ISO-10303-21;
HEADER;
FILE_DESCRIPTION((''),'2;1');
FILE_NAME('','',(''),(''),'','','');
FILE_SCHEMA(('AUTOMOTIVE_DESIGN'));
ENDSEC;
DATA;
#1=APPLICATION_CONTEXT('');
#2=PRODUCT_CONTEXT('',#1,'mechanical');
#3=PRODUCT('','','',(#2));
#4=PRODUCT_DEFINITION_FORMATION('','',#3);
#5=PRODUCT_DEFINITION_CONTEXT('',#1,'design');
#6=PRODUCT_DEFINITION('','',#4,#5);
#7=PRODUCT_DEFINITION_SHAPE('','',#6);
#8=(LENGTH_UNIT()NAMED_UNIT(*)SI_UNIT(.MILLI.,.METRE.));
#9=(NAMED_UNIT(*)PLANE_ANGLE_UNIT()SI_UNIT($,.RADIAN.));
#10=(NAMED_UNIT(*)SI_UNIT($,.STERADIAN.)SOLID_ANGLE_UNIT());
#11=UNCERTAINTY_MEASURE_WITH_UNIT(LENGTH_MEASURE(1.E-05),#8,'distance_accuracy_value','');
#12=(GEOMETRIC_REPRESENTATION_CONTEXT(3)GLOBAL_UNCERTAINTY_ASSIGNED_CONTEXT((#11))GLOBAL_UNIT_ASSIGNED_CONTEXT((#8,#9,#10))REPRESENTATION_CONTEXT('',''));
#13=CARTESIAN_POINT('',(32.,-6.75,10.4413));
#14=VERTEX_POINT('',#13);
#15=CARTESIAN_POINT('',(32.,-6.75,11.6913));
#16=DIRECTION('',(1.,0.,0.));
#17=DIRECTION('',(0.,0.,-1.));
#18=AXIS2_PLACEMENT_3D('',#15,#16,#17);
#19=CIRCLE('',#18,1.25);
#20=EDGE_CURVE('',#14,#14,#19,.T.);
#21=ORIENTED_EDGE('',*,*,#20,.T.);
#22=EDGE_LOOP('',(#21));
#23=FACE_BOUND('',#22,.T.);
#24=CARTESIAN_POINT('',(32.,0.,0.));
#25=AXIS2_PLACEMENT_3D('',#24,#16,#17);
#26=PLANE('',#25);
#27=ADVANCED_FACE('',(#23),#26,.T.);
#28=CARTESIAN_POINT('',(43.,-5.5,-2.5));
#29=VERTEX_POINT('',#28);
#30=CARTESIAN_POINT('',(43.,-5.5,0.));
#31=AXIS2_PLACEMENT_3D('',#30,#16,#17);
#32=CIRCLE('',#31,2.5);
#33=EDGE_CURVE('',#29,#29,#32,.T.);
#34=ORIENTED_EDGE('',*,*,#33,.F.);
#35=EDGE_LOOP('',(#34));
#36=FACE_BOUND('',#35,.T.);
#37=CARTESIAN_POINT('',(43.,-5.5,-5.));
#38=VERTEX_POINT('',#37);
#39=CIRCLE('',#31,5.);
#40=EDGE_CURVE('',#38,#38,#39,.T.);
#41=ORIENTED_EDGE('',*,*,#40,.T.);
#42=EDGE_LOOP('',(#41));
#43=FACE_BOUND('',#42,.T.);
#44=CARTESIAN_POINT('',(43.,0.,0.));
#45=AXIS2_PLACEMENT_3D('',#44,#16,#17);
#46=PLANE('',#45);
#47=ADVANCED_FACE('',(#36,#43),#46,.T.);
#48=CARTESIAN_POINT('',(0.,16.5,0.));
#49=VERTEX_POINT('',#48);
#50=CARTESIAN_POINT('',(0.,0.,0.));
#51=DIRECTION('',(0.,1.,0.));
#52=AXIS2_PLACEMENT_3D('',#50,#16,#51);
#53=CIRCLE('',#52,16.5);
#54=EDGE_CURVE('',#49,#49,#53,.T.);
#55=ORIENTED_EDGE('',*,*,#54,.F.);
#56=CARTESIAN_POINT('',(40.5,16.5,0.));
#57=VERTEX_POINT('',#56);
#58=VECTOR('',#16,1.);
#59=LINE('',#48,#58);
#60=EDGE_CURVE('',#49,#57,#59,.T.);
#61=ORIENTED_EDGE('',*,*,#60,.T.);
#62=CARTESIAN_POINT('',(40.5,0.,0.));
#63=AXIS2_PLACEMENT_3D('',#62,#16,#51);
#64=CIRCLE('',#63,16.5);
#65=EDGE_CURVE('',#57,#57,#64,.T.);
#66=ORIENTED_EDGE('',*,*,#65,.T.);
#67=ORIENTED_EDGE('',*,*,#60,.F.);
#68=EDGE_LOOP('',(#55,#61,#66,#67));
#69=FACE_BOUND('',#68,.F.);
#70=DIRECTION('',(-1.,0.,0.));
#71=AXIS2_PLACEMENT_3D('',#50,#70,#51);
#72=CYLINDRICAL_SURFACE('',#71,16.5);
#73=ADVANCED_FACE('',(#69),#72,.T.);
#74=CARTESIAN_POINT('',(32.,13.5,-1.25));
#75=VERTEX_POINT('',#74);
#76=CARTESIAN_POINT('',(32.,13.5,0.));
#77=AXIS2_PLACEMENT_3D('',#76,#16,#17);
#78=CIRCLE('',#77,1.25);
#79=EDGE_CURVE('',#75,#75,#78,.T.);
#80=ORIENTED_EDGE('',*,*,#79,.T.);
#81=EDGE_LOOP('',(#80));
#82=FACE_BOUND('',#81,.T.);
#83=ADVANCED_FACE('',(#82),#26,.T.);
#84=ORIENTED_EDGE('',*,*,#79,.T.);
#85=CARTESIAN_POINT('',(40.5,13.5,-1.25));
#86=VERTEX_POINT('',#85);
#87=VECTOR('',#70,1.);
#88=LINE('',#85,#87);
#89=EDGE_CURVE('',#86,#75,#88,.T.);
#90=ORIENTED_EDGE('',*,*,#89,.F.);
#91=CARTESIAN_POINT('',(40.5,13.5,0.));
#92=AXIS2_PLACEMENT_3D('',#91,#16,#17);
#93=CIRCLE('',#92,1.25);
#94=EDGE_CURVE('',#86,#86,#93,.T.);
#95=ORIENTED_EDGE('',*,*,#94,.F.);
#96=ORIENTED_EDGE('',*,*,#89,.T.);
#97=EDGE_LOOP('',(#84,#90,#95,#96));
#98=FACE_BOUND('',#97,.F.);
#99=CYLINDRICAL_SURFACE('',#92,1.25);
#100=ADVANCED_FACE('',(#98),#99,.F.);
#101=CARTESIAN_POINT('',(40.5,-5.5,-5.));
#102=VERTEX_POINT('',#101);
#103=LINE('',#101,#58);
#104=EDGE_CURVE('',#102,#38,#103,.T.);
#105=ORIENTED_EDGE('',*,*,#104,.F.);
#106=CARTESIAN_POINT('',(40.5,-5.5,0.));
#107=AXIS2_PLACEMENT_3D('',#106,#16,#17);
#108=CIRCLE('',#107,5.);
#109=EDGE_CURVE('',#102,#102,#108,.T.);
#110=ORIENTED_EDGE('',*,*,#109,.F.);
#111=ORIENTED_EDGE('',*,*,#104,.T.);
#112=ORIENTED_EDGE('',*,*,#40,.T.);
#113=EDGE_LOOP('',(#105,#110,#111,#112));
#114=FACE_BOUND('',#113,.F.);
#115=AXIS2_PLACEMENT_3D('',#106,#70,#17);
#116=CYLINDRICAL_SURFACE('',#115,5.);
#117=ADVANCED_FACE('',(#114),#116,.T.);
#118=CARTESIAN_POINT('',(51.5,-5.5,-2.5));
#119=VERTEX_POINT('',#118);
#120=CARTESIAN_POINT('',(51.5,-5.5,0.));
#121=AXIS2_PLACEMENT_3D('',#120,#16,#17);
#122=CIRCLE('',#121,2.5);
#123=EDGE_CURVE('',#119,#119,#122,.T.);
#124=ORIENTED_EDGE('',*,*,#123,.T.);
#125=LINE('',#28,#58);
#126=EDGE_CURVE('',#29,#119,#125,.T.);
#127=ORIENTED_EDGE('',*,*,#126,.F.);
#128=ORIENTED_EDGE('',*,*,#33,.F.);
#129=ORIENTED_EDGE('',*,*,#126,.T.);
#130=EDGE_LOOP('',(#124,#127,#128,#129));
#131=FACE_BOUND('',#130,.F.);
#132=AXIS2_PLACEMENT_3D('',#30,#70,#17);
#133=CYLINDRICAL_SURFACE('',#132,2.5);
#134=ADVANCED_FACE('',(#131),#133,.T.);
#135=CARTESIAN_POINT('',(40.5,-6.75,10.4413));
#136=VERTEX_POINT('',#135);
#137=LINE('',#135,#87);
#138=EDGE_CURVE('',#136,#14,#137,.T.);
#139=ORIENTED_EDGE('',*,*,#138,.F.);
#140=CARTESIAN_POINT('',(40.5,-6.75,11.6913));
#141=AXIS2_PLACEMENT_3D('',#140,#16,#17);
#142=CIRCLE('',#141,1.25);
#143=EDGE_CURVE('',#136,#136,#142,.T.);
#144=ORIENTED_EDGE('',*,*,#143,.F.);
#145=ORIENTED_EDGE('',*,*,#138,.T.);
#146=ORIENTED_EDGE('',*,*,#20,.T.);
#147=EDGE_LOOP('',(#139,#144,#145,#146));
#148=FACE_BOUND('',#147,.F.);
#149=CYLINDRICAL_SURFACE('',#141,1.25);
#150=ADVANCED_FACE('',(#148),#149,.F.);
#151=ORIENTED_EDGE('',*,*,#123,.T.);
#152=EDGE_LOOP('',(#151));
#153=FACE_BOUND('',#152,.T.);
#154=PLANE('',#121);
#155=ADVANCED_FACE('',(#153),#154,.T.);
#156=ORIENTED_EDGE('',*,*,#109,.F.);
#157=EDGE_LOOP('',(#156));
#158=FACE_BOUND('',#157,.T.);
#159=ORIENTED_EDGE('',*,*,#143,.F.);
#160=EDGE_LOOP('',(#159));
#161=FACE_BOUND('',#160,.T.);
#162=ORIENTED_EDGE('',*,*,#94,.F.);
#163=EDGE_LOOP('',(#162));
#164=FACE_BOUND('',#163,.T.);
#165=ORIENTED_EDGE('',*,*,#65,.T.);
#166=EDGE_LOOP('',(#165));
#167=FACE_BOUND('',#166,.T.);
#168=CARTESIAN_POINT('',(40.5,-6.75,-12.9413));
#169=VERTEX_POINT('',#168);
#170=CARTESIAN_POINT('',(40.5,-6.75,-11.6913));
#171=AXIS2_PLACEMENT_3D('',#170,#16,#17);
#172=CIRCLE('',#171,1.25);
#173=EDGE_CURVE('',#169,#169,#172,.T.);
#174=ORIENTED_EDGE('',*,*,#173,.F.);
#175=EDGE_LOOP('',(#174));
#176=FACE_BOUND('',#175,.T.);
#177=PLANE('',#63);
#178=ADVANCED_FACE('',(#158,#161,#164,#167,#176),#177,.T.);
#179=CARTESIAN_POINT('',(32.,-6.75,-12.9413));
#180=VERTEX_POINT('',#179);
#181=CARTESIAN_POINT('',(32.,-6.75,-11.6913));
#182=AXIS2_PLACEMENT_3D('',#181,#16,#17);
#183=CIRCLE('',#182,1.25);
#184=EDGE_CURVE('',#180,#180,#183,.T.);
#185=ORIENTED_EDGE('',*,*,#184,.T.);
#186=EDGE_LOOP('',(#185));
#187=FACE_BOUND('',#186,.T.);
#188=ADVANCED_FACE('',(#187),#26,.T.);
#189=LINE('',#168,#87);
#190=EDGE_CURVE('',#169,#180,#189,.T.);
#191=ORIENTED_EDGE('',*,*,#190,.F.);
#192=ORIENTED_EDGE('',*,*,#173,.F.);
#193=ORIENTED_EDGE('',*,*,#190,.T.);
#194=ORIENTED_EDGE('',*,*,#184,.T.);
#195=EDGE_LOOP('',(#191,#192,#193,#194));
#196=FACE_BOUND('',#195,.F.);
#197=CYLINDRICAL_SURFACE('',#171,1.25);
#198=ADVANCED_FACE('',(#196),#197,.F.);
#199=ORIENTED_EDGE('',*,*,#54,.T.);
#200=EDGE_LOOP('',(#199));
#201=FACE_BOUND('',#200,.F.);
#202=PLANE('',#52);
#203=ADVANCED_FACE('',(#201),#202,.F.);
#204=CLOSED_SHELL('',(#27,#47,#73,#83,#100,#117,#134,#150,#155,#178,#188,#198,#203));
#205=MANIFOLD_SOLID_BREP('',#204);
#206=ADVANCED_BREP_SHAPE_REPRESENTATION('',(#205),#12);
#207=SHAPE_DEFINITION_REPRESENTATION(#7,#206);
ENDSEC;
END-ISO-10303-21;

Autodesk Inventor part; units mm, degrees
ref_plane "YZ Plane" through (0, 0, 0) normal (1, 0, 0) x (0, 1, 0)
ref_plane "XZ Plane" through (0, 0, 0) normal (0, 1, 0) x (-1, 0, 0)
ref_plane "XY Plane" through (0, 0, 0) normal (0, 0, 1) x (1, 0, 0)
sketch "Sketch1" plane through (0, 0, 0) normal (1, 0, 0) x (0, 1, 0)
  circle A0 centre (0, 0) radius 16.5
  dimension "d0" = 33
extrude "Extrusion1" add sketch "Sketch1" along normal blind 40.5
sketch "Sketch2" plane through (40.5, 0, 0) normal (1, 0, 0) x (0, 0, -1)
  circle A0 centre (0, 0) radius 16.5 projected
  circle A1 centre (0, -5.5) radius 5
extrude "Extrusion2" add sketch "Sketch2" along normal blind 2.5 contours A1
sketch "Sketch3" plane through (43, -5.5, 0) normal (1, 0, 0) x (0, 0, -1)
  circle A0 centre (0, 0) radius 2.5
  point P0 (0, 5.5)
  dimension "d7" = 5
extrude "Extrusion3" add sketch "Sketch3" along normal blind 8.5
sketch "Sketch4" plane through (40.5, 0, 0) normal (1, 0, 0) x (0, 0, -1)
  circle A0 centre (0, 0) radius 16.5 projected
  circle A1 centre (0, 13.5) radius 1.25
  circle A2 centre (-11.6913, -6.75) radius 1.25
  circle A3 centre (11.6913, -6.75) radius 1.25
  dimension "d11" = 2.5
  dimension "d14" = 360
extrude "Extrusion4" cut sketch "Sketch4" against normal blind 8.5 contours A1 | A2 | A3
properties part number "Motor"
